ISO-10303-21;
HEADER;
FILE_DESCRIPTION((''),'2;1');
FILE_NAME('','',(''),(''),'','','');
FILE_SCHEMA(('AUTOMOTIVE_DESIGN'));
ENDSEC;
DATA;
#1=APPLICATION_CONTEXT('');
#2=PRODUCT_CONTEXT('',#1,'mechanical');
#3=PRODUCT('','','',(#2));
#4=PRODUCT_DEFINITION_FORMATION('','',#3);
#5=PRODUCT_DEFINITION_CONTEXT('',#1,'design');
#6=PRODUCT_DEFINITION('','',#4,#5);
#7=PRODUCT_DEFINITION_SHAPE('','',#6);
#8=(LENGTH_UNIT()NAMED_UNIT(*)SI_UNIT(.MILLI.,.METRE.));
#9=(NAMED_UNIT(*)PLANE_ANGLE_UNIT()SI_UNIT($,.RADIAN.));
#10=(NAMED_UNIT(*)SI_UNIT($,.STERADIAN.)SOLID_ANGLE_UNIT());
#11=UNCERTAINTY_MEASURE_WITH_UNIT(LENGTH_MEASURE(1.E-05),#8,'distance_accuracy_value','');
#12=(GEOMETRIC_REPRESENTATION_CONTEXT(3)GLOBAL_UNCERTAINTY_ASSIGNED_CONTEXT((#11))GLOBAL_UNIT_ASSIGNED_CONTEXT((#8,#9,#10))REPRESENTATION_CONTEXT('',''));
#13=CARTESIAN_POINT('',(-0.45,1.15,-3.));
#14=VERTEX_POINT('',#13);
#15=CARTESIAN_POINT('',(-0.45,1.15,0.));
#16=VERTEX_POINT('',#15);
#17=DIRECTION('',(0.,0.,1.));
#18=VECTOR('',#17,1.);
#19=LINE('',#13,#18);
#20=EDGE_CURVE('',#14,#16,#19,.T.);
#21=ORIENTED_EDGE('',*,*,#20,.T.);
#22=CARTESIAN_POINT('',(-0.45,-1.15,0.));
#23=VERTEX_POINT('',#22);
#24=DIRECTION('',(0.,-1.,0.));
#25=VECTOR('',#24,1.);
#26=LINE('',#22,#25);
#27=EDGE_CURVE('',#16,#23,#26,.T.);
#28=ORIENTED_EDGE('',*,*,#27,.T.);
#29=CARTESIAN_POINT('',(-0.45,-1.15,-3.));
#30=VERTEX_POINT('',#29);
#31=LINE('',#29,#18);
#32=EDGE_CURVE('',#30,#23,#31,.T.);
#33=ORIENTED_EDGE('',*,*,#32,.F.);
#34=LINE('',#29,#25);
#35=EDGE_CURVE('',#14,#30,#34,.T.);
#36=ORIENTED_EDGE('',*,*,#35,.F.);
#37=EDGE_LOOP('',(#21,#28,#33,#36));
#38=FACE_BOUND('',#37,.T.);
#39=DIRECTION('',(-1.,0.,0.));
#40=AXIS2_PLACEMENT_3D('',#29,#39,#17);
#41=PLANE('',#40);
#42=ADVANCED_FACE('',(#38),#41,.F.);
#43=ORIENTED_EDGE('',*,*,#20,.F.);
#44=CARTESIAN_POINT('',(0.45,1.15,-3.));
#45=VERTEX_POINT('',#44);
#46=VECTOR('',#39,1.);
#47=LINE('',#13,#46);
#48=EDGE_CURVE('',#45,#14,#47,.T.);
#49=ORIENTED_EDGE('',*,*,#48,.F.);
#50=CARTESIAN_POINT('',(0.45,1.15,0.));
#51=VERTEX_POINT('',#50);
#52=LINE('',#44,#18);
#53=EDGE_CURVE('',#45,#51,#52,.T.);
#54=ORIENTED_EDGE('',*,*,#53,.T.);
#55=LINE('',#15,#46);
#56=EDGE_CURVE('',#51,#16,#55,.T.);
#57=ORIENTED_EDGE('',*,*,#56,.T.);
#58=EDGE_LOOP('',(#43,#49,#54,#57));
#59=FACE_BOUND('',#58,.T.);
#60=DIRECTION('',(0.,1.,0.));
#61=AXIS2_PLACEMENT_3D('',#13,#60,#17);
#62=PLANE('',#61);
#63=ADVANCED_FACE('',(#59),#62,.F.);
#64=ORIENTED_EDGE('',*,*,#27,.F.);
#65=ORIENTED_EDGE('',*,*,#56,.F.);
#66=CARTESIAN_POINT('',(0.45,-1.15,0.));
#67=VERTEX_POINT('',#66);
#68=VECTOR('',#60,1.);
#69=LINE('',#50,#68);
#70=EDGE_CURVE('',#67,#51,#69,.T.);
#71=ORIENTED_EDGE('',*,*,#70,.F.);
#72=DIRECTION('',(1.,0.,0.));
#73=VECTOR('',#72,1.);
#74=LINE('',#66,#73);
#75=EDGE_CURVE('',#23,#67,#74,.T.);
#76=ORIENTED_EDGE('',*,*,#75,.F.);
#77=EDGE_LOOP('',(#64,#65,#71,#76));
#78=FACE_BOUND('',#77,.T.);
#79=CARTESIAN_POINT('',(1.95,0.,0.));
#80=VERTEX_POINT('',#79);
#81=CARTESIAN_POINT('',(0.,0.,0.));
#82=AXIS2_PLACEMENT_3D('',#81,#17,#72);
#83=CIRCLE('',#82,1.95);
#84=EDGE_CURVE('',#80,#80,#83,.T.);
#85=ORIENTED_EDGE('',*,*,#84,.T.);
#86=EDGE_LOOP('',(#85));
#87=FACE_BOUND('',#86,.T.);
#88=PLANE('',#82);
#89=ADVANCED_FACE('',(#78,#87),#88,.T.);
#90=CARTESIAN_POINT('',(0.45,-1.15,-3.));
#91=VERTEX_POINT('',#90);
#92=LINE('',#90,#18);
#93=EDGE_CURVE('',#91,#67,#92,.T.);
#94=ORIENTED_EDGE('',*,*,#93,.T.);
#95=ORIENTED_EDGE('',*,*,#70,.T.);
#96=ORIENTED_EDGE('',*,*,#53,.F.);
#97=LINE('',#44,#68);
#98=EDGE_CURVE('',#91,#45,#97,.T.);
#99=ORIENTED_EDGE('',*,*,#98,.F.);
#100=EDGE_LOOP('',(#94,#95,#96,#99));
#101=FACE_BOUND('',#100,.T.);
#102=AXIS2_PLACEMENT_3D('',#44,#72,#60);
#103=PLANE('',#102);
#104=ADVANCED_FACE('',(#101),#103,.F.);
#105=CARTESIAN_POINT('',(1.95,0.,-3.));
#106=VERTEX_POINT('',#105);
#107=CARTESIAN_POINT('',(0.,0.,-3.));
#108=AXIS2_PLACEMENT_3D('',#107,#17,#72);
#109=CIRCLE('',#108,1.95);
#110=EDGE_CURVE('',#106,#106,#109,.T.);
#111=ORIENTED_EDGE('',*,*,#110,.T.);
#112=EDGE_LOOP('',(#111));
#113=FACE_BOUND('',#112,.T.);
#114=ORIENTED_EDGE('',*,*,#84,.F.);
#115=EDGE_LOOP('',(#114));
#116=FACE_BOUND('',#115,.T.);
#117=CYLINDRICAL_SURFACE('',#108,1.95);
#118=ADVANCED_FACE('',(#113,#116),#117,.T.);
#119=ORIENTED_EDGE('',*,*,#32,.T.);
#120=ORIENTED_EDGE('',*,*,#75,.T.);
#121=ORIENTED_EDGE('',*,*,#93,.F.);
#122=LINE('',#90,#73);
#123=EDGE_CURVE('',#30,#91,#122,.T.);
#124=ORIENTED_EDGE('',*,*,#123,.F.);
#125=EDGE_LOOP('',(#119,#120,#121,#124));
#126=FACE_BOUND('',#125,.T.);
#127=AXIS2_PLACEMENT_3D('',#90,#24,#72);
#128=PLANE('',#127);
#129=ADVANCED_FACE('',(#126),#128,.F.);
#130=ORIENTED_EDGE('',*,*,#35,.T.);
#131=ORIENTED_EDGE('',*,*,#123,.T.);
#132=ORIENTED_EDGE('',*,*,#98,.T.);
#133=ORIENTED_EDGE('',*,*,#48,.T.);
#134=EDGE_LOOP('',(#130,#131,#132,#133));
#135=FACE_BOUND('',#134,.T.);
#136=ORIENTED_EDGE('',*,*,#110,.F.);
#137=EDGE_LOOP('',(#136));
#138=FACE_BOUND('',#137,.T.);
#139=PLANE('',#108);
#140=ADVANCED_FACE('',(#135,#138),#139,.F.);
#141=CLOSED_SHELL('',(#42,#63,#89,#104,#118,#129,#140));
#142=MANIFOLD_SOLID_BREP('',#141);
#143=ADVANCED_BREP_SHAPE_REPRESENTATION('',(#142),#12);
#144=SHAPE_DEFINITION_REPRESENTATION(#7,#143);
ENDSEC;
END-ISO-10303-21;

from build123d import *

# Parameters (mm, degrees)
SKETCH1_R      = 1.95
SKETCH1_W      = 0.9
SKETCH1_H      = 2.3
EXT_BODY_DEPTH = 3


with BuildPart() as part:
    # Sketch1 → ext-body (new body)
    with BuildSketch(Plane.XY):
        Circle(SKETCH1_R)
        Rectangle(SKETCH1_W, SKETCH1_H, mode=Mode.SUBTRACT)
    extrude(amount=-EXT_BODY_DEPTH)


solid = part.part
